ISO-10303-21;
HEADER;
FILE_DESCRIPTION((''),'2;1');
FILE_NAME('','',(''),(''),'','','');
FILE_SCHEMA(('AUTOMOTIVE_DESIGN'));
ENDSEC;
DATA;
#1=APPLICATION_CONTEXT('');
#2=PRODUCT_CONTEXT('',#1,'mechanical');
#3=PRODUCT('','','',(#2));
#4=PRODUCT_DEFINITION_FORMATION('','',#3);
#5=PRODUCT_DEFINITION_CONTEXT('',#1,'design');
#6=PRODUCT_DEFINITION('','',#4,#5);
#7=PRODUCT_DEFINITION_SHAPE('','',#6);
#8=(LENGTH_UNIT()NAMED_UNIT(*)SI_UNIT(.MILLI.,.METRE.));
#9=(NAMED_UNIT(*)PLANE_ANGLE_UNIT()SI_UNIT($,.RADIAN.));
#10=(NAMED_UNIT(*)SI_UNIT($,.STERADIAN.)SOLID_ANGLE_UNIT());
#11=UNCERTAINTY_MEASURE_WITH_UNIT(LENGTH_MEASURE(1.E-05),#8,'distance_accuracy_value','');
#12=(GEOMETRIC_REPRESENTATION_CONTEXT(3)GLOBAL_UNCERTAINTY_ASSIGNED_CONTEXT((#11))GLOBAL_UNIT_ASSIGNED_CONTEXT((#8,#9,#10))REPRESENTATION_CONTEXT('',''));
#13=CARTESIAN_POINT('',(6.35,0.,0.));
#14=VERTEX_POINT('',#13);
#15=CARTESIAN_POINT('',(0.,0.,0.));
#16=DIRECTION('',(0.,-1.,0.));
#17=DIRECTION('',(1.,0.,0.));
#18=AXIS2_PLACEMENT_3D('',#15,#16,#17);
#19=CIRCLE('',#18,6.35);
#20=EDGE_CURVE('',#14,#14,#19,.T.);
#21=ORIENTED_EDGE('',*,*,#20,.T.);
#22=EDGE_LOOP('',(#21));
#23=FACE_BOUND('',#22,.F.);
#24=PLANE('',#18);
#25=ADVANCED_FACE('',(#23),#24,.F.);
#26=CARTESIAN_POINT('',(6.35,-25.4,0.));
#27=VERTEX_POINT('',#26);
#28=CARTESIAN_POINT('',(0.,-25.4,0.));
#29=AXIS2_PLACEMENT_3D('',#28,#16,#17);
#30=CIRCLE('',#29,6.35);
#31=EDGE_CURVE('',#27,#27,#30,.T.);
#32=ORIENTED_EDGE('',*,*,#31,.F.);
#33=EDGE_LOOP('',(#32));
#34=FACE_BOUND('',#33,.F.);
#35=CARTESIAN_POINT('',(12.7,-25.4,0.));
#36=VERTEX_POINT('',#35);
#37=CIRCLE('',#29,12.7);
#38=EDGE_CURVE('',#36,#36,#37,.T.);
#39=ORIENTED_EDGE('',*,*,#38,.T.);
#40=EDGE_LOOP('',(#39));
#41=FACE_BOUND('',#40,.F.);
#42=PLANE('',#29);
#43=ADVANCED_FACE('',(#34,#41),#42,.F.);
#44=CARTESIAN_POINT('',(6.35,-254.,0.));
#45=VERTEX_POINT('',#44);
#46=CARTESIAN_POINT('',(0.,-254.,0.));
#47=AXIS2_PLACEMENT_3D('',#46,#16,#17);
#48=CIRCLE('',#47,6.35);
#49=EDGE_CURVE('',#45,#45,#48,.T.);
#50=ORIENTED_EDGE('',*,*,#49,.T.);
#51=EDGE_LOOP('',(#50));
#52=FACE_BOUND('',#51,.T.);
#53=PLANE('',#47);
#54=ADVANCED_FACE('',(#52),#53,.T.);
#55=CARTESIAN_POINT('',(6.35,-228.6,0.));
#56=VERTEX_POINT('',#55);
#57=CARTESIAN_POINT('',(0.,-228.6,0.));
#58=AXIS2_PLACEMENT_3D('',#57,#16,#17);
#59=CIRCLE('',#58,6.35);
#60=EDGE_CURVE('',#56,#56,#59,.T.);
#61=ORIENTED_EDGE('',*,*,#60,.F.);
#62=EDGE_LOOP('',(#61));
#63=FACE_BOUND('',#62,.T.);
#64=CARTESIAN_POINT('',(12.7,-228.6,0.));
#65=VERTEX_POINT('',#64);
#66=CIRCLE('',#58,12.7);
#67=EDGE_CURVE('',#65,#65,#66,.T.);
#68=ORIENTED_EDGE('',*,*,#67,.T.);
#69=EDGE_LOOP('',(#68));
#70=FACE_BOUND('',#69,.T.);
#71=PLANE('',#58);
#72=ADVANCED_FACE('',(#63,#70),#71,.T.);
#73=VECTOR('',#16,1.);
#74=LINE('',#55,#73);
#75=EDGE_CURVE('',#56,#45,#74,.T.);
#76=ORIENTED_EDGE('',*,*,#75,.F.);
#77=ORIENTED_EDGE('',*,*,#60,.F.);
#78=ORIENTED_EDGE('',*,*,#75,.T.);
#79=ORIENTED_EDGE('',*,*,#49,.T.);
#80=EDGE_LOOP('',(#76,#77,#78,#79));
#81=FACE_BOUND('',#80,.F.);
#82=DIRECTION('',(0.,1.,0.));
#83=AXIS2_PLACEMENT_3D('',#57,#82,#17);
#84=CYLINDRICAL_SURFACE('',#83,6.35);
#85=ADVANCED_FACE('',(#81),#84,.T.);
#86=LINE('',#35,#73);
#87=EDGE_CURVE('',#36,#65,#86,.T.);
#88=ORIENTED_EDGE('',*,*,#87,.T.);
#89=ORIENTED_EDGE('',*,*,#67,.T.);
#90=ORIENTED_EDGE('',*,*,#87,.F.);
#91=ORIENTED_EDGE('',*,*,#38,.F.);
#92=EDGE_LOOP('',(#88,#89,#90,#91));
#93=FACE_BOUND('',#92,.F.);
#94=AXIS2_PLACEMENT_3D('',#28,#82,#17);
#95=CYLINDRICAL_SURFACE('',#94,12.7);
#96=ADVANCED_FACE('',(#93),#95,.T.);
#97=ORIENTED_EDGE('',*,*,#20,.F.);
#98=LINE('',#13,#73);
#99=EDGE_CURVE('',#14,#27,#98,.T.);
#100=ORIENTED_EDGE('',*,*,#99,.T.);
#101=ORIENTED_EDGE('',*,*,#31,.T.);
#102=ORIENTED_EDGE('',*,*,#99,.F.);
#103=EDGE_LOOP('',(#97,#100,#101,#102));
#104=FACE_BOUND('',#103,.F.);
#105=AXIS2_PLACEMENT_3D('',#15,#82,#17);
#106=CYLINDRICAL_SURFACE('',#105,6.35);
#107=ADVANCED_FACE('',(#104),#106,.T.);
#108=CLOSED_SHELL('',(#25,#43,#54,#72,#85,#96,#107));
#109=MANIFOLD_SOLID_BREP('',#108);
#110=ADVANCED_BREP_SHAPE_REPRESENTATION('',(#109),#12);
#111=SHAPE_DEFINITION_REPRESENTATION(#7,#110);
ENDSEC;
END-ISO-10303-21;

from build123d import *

# Parameters (mm, degrees)
F0_R     = 6.35
F1_DEPTH = 25.4
F2_R     = 12.7
F2_R_2   = 6.35
F3_DEPTH = 203.2
F4_R     = 6.35
F5_DEPTH = 25.4


with BuildPart() as f1:
    # F0 (on Front) → F1 (new body)
    with BuildSketch(Plane.XZ):
        Circle(F0_R)
    extrude(amount=F1_DEPTH)

    # F2 (on face) → F3 (join)
    with BuildSketch(Plane.XZ.offset(25.4)):
        Circle(F2_R)
        Circle(F2_R_2, mode=Mode.SUBTRACT)
        Circle(F2_R_2)
    extrude(amount=F3_DEPTH)

    # F4 (on face) → F5 (join)
    with BuildSketch(Plane.XZ.offset(228.6)):
        Circle(F4_R)
    extrude(amount=F5_DEPTH)


solid = f1.part
